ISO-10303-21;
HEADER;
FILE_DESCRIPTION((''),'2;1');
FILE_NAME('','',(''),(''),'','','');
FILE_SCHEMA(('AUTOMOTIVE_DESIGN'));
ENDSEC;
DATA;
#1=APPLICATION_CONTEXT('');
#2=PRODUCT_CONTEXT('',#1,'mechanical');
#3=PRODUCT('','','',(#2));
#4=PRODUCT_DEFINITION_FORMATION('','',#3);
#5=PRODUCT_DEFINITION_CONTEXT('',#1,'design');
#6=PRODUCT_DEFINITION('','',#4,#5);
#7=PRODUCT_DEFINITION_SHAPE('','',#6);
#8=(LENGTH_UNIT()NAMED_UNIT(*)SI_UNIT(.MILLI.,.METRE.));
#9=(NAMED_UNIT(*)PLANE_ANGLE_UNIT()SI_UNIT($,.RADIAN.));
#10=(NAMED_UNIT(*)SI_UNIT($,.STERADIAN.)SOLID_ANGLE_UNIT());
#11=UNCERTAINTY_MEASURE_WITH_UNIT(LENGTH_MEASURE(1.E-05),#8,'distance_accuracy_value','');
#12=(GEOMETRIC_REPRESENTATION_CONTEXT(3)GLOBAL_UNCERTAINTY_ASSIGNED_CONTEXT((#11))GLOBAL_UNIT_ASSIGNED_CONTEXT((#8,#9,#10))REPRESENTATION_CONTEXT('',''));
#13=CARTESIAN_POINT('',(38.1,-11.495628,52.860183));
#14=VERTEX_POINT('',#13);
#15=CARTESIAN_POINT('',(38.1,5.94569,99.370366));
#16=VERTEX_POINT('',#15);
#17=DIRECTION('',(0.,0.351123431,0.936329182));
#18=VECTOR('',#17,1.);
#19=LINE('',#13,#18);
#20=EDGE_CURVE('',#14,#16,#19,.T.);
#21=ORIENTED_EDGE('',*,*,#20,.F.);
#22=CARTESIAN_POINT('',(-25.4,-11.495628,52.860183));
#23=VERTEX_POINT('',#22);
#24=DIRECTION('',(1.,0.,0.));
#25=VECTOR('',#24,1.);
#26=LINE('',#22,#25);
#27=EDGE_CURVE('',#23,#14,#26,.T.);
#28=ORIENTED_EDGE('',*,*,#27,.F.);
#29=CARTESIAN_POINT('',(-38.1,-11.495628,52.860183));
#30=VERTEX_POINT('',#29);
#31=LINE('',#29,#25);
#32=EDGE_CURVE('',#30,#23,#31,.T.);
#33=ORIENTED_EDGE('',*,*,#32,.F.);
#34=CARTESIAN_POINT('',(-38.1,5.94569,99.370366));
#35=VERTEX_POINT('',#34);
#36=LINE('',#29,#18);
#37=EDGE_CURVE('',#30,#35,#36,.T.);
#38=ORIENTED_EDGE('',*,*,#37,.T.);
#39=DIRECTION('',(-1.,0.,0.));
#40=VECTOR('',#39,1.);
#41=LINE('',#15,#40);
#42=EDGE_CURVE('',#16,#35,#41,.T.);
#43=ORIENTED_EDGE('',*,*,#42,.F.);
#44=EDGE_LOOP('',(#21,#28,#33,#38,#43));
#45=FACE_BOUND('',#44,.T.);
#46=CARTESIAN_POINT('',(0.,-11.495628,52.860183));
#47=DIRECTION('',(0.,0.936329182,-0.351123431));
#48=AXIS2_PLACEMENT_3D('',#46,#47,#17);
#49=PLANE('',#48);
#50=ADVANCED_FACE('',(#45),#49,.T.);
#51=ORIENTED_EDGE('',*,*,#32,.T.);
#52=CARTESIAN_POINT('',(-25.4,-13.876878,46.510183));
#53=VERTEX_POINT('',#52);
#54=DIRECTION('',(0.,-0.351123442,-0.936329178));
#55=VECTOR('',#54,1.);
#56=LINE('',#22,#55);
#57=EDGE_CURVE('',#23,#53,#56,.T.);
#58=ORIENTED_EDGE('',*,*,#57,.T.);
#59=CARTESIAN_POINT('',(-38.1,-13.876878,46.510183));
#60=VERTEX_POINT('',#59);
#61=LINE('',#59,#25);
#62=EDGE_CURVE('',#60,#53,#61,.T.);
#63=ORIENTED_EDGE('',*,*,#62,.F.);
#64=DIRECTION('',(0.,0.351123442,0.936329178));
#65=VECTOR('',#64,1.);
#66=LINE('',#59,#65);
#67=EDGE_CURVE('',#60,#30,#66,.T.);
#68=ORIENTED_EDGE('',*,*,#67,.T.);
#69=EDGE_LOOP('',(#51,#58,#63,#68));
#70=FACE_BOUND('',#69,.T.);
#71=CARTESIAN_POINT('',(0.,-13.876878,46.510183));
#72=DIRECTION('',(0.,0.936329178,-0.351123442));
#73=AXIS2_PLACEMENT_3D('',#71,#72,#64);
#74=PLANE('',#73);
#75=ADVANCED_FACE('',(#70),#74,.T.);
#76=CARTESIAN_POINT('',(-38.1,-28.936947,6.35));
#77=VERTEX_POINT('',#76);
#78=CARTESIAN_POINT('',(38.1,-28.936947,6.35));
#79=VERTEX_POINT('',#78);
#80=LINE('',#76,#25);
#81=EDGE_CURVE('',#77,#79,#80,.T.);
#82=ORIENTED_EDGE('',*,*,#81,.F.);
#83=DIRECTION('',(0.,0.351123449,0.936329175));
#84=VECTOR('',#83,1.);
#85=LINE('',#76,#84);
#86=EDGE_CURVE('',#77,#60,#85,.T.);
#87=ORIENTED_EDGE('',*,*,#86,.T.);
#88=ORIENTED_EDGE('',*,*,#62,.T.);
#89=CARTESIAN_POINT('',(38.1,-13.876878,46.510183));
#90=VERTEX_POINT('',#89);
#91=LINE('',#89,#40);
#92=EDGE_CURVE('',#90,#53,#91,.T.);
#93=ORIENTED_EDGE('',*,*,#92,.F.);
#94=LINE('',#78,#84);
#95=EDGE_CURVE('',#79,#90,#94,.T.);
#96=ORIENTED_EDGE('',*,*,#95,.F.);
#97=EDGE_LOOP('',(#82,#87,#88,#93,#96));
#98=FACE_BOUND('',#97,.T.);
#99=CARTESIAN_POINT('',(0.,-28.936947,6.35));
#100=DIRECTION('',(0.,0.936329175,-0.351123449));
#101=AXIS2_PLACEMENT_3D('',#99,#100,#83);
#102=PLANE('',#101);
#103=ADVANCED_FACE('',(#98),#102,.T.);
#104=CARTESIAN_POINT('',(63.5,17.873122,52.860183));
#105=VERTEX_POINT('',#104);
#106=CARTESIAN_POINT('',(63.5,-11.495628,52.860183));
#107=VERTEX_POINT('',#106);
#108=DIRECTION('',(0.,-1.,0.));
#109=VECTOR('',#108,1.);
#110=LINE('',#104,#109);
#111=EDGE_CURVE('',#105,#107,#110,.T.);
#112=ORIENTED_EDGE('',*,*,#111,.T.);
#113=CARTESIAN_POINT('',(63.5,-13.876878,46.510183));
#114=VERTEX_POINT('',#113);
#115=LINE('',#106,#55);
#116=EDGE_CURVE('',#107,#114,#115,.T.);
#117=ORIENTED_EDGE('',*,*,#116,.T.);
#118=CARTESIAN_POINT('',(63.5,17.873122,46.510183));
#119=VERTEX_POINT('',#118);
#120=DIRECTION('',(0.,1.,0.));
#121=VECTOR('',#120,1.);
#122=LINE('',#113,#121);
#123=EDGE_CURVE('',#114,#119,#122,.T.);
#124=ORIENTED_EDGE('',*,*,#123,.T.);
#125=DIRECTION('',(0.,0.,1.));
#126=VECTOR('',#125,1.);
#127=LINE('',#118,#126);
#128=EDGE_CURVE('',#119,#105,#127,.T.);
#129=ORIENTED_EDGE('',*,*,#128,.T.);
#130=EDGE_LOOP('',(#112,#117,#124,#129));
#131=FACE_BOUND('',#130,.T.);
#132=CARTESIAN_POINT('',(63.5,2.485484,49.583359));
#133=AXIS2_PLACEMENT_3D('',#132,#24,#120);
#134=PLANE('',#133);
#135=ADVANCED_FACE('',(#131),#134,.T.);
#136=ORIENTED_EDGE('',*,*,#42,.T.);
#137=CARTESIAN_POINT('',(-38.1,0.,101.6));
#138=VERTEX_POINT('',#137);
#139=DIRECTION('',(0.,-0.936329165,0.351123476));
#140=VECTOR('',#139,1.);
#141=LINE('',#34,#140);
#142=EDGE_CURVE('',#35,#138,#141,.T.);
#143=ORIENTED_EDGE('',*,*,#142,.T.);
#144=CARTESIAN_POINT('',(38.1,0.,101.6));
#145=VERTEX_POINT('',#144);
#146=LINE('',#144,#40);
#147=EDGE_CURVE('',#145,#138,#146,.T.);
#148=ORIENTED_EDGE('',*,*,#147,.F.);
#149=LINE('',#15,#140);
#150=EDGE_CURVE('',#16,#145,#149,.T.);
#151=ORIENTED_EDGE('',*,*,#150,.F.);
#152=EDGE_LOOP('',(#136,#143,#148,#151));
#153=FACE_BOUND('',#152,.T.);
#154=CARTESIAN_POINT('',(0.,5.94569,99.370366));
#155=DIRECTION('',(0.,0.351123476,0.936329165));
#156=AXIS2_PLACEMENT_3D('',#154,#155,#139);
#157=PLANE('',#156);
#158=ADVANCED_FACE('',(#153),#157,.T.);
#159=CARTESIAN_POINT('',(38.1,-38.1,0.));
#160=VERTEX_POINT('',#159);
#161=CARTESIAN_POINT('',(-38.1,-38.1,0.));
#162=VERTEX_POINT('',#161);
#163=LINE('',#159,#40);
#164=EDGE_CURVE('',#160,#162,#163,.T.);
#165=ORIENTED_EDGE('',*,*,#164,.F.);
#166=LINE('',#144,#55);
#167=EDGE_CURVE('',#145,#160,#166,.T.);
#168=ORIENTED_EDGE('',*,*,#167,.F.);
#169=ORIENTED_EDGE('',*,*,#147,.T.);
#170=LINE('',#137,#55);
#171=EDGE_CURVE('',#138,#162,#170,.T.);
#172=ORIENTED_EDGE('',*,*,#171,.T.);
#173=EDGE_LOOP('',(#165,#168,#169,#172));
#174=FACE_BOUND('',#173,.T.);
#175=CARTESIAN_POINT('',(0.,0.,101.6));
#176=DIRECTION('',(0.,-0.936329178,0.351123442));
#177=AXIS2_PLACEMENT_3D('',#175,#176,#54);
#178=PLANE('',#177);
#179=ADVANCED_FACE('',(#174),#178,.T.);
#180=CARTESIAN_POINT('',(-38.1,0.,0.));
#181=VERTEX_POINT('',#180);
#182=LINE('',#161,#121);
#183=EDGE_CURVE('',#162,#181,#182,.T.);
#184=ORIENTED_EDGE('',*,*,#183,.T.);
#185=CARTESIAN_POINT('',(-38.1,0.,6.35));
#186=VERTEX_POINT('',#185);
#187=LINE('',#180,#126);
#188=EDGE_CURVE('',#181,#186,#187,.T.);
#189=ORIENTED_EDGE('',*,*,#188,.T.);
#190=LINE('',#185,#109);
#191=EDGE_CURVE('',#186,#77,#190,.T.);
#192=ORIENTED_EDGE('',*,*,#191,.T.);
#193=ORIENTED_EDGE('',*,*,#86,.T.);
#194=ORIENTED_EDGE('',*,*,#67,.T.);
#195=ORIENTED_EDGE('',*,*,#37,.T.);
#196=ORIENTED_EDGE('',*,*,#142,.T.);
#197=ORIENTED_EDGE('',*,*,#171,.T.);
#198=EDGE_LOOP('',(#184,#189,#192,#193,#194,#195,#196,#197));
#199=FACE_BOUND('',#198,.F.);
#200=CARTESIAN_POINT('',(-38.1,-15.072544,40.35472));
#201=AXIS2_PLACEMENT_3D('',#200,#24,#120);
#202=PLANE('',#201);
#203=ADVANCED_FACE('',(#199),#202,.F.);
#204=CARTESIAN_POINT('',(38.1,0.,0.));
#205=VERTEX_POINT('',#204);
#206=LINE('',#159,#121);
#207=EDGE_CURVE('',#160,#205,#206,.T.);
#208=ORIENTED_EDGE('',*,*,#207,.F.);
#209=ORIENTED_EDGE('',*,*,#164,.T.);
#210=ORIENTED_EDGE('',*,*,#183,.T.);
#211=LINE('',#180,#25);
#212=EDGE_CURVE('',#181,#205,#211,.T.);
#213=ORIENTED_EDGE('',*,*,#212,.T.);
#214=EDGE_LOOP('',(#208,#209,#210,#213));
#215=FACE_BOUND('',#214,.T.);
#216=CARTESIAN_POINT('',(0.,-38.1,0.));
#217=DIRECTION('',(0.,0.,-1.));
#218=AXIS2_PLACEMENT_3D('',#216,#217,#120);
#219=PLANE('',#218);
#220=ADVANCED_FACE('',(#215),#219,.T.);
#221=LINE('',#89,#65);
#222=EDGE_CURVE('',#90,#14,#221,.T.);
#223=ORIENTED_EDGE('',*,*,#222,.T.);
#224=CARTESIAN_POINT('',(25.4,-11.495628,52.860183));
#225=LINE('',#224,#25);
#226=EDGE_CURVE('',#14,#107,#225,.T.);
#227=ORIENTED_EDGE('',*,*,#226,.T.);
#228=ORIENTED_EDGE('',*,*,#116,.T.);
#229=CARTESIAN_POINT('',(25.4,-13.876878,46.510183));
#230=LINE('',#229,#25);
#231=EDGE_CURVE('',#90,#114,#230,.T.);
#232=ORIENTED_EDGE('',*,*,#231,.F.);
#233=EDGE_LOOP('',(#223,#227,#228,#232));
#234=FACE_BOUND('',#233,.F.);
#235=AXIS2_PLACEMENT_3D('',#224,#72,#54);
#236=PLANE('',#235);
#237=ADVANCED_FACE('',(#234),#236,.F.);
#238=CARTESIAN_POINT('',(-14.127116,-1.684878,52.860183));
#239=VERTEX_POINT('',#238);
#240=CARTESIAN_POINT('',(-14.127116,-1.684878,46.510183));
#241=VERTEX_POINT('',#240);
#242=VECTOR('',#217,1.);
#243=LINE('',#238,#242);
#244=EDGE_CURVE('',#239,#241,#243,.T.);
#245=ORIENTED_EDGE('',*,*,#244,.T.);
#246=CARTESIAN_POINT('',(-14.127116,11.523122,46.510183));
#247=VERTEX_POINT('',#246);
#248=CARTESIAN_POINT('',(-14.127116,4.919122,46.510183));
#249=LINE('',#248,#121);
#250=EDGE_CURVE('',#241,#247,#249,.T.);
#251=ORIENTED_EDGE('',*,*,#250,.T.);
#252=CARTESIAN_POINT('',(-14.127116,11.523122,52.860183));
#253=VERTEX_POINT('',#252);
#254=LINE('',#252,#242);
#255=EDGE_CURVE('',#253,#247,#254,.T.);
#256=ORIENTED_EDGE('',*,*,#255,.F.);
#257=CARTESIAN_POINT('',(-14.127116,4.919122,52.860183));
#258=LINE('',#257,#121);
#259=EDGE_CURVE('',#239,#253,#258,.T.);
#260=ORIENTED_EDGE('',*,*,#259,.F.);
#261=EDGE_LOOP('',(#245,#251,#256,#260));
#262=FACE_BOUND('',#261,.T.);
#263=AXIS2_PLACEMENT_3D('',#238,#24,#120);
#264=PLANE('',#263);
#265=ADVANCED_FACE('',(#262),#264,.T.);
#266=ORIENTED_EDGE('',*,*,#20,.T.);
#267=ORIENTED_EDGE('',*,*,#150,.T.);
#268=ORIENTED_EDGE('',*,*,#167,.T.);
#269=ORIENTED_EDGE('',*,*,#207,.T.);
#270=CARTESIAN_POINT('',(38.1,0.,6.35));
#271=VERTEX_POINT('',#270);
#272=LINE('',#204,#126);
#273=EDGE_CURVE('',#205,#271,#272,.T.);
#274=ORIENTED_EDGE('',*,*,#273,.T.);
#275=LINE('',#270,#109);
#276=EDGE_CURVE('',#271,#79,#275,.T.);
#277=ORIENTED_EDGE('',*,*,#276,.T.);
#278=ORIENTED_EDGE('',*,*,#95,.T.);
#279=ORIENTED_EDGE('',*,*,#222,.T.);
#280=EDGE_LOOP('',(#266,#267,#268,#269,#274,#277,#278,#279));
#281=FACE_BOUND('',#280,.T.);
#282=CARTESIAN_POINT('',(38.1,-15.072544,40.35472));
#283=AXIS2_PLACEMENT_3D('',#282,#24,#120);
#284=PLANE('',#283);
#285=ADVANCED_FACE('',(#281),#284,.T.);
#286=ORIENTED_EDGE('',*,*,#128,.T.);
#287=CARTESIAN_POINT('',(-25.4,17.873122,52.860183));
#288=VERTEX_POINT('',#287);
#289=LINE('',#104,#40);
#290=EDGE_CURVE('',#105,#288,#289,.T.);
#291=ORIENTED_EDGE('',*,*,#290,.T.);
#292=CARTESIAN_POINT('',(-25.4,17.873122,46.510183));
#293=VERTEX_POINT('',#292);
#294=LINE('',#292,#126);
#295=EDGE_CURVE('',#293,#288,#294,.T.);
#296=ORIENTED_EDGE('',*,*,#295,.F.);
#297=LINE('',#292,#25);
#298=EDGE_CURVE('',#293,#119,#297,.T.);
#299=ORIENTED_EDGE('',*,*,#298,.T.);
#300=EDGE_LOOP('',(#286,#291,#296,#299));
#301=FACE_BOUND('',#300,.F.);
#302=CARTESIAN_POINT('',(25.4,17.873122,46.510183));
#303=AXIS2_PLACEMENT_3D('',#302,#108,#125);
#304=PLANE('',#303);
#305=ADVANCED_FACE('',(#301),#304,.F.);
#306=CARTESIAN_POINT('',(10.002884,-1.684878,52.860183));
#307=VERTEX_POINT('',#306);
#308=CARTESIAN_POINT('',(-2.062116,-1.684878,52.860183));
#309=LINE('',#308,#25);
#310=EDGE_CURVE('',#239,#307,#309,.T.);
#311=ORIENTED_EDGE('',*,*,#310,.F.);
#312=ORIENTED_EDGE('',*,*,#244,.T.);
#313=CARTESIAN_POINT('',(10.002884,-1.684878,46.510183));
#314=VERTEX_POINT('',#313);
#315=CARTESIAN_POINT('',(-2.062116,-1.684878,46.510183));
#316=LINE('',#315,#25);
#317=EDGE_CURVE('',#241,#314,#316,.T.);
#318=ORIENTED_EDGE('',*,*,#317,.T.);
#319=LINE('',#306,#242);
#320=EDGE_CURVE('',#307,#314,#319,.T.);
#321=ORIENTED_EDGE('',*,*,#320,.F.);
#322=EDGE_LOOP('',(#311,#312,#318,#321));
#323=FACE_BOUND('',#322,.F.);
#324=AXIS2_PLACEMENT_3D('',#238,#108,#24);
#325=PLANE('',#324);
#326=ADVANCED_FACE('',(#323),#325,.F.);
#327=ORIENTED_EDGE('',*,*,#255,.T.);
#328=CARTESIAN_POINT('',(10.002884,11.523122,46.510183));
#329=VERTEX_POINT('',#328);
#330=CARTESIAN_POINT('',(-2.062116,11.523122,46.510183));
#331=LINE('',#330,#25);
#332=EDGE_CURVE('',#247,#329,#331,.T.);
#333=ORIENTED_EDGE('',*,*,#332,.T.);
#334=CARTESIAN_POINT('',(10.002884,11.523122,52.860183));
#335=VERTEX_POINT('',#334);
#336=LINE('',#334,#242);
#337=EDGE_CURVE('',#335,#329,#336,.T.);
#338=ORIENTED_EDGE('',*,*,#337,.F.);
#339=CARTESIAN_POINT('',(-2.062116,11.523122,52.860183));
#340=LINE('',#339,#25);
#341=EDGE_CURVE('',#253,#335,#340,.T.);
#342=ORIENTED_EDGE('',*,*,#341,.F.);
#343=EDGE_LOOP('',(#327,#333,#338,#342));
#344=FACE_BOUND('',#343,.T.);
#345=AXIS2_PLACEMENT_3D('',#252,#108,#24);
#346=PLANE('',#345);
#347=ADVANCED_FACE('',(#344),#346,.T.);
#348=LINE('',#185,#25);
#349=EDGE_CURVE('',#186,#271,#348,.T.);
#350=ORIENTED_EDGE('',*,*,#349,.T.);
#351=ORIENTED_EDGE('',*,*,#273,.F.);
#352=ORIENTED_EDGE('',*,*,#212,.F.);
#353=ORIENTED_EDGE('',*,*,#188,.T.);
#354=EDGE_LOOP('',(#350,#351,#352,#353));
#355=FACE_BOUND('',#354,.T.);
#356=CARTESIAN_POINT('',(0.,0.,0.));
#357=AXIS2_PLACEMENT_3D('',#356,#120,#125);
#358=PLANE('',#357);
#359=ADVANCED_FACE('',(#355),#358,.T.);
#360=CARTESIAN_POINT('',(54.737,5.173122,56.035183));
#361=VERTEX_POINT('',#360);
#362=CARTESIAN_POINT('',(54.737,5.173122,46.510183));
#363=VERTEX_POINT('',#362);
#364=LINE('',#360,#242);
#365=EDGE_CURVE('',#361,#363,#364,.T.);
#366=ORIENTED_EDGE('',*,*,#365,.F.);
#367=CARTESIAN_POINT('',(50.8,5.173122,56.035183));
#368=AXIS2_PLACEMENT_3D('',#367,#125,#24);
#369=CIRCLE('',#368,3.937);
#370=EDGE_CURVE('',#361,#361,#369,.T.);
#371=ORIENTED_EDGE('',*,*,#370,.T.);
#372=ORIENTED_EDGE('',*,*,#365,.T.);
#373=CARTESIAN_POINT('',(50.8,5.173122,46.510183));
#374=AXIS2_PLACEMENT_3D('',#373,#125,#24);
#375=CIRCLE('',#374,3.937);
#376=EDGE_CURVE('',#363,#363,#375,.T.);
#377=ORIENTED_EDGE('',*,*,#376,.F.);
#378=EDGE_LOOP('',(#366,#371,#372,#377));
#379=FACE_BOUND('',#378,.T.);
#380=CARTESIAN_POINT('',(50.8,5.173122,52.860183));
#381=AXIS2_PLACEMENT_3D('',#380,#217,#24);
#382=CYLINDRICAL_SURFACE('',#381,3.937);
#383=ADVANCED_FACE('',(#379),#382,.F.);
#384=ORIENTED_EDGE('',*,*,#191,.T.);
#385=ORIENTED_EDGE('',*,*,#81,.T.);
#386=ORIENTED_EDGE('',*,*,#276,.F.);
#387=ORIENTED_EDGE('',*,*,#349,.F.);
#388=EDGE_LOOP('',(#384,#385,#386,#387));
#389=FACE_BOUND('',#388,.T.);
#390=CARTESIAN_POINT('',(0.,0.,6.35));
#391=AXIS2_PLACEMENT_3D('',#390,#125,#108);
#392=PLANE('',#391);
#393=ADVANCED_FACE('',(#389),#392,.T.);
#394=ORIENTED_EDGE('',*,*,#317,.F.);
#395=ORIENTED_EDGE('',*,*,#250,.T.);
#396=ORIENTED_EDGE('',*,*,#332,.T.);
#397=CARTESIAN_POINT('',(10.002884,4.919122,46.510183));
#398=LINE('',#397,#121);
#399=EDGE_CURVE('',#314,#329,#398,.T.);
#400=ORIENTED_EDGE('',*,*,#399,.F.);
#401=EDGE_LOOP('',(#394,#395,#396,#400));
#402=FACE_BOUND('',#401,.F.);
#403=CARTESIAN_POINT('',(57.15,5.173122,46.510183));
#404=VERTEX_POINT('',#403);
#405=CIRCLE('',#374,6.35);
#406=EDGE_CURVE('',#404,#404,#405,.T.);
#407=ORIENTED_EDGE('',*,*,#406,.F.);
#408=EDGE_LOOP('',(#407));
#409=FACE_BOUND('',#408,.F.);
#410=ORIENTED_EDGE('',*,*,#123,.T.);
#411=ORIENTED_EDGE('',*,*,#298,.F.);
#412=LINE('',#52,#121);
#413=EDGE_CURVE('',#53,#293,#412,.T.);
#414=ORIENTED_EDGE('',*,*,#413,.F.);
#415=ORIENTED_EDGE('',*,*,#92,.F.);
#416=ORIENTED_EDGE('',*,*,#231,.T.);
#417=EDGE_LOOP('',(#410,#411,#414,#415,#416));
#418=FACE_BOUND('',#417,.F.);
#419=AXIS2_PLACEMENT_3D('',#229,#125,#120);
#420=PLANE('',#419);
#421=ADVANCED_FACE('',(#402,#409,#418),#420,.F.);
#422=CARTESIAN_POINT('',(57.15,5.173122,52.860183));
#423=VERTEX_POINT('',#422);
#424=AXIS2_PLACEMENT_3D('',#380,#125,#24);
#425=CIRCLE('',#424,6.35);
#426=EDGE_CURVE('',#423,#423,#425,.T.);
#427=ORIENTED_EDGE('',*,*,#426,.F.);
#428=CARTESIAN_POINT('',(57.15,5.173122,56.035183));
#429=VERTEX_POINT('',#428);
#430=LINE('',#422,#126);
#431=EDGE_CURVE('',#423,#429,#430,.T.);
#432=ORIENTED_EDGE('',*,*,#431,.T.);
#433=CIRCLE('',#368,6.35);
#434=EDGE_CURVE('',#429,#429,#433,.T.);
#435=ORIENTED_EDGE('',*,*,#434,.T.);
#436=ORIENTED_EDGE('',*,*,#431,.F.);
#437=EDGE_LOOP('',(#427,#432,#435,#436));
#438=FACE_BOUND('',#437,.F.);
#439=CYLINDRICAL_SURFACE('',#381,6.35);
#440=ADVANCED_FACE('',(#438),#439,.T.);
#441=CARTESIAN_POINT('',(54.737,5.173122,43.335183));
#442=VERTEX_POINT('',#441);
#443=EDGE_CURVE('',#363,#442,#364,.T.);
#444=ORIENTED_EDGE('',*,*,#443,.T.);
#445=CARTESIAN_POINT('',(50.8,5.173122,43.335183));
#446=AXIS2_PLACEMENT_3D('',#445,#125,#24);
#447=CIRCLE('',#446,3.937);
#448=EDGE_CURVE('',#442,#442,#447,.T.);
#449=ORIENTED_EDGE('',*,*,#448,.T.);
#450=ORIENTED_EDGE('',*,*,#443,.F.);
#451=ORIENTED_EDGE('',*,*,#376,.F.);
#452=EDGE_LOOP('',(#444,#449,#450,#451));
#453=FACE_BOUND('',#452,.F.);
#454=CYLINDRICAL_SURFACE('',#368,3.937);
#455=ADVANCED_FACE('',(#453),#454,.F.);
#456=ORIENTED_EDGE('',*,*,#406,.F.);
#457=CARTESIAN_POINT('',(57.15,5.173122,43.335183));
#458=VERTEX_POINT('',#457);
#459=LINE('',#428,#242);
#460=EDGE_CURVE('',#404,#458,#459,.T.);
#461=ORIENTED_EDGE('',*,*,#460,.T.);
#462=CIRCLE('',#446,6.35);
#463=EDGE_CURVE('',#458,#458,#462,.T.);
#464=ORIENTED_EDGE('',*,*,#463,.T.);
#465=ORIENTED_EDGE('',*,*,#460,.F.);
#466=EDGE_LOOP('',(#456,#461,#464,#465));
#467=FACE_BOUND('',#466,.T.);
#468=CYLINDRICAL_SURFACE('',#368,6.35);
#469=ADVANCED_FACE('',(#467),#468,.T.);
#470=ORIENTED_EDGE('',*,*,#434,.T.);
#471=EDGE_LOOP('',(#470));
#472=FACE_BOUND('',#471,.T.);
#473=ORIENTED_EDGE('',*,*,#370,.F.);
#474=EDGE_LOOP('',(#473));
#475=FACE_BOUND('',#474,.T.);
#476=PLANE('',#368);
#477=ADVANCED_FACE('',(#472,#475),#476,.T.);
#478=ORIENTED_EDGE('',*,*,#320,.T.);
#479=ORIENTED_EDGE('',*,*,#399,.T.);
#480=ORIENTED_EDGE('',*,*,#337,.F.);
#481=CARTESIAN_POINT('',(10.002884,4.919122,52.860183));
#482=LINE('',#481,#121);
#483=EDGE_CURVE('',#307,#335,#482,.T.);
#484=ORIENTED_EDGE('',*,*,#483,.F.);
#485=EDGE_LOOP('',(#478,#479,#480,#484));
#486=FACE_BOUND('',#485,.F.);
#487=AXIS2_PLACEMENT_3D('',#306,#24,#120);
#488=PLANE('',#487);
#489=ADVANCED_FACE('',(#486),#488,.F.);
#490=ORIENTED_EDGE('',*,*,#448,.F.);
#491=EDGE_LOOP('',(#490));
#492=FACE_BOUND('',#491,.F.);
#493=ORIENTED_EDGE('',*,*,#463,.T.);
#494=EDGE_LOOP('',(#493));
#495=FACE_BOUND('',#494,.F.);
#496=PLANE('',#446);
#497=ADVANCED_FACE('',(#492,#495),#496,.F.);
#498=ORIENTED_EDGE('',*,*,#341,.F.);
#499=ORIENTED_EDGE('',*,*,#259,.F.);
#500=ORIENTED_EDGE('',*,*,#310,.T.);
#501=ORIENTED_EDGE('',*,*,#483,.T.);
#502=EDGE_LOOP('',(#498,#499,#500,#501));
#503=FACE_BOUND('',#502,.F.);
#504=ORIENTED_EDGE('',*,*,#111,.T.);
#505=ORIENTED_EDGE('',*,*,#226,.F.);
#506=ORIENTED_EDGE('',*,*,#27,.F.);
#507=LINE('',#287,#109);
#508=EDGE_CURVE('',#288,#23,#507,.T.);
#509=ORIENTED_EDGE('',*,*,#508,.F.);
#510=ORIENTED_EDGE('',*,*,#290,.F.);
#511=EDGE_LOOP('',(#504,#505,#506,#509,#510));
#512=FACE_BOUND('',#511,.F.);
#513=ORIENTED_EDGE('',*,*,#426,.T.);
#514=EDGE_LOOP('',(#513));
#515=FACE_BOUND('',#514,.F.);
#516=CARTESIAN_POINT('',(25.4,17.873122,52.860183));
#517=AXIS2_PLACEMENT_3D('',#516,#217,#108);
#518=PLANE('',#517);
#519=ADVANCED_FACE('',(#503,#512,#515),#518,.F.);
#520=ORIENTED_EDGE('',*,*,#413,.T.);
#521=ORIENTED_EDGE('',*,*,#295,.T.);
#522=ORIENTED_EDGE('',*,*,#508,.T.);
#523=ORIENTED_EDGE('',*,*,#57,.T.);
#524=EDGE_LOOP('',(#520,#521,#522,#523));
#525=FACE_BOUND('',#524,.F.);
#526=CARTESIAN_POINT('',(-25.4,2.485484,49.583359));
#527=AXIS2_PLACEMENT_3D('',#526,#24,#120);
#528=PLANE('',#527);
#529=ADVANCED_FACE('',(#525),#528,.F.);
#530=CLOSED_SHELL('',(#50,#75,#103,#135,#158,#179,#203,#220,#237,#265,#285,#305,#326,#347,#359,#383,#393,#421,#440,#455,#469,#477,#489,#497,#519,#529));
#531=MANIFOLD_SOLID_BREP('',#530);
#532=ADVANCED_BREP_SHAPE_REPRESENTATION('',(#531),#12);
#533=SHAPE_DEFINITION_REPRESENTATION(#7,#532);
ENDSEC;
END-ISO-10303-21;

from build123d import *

# Parameters (mm, degrees)
F1_DEPTH    = 38.1
F2_DEPTH    = 25.4
F3_DEPTH    = 38.1
F4_R        = 3.937
F5_DEPTH    = 6.35
F4_R_2      = 6.35
F6_DEPTH    = 3.175
F6_FACE_R   = 6.35
F6_FACE_R_2 = 3.937
F7_DEPTH    = 12.7
F8_W        = 24.13
F8_H        = 13.208
F9_DEPTH    = 6.35


with BuildPart() as f1:
    # F0 (on Right) → F1 (new body, symmetric)
    with BuildSketch(Plane.YZ):
        Polygon((-38.1, 0), (0, 0), (0, 6.35), (-28.936947, 6.35), (-13.876878, 46.510183), (-11.495628, 52.860183), (5.94569, 99.370366), (0, 101.6), align=None)
    extrude(amount=F1_DEPTH, both=True)

    # F0 (on Right) → F2 (join, symmetric)
    with BuildSketch(Plane.YZ):
        Polygon((-11.495628, 52.860183), (-13.876878, 46.510183), (17.873122, 46.510183), (17.873122, 52.860183), align=None)
    extrude(amount=F2_DEPTH, both=True)

    # F2_face (on face) → F3 (join)
    with BuildSketch(Plane(origin=(25.4, 2.585703, 49.643949), x_dir=(0, 1, 0), z_dir=(1, 0, 0))):
        Polygon((-14.081331, 3.216234), (-16.462581, -3.133766), (15.287419, -3.133766), (15.287419, 3.216234), align=None)
    extrude(amount=F3_DEPTH)

    # F4 (on face) → F5 (cut, through all)
    with BuildSketch(Plane.XY.offset(52.860183)):
        with Locations((50.8, 5.173122)):
            Circle(F4_R)
    extrude(amount=-F5_DEPTH, mode=Mode.SUBTRACT)

    # F4 (on face) → F6 (join)
    with BuildSketch(Plane.XY.offset(52.860183)):
        with Locations((50.8, 5.173122)):
            Circle(F4_R_2)
        with Locations((50.8, 5.173122)):
            Circle(F4_R, mode=Mode.SUBTRACT)
    extrude(amount=F6_DEPTH)

    # F6_face (on face) → F7 (join)
    with BuildSketch(Plane(origin=(50.8, 5.173122, 56.035183), x_dir=(1, 0, 0), z_dir=(0, 0, 1))):
        Circle(F6_FACE_R)
        Circle(F6_FACE_R_2, mode=Mode.SUBTRACT)
    extrude(amount=-F7_DEPTH)

    # F8 (on face) → F9 (cut, through all)
    with BuildSketch(Plane.XY.offset(52.860183)):
        with Locations((-2.062116, 4.919122)):
            Rectangle(F8_W, F8_H)
    extrude(amount=-F9_DEPTH, mode=Mode.SUBTRACT)


solid = f1.part
